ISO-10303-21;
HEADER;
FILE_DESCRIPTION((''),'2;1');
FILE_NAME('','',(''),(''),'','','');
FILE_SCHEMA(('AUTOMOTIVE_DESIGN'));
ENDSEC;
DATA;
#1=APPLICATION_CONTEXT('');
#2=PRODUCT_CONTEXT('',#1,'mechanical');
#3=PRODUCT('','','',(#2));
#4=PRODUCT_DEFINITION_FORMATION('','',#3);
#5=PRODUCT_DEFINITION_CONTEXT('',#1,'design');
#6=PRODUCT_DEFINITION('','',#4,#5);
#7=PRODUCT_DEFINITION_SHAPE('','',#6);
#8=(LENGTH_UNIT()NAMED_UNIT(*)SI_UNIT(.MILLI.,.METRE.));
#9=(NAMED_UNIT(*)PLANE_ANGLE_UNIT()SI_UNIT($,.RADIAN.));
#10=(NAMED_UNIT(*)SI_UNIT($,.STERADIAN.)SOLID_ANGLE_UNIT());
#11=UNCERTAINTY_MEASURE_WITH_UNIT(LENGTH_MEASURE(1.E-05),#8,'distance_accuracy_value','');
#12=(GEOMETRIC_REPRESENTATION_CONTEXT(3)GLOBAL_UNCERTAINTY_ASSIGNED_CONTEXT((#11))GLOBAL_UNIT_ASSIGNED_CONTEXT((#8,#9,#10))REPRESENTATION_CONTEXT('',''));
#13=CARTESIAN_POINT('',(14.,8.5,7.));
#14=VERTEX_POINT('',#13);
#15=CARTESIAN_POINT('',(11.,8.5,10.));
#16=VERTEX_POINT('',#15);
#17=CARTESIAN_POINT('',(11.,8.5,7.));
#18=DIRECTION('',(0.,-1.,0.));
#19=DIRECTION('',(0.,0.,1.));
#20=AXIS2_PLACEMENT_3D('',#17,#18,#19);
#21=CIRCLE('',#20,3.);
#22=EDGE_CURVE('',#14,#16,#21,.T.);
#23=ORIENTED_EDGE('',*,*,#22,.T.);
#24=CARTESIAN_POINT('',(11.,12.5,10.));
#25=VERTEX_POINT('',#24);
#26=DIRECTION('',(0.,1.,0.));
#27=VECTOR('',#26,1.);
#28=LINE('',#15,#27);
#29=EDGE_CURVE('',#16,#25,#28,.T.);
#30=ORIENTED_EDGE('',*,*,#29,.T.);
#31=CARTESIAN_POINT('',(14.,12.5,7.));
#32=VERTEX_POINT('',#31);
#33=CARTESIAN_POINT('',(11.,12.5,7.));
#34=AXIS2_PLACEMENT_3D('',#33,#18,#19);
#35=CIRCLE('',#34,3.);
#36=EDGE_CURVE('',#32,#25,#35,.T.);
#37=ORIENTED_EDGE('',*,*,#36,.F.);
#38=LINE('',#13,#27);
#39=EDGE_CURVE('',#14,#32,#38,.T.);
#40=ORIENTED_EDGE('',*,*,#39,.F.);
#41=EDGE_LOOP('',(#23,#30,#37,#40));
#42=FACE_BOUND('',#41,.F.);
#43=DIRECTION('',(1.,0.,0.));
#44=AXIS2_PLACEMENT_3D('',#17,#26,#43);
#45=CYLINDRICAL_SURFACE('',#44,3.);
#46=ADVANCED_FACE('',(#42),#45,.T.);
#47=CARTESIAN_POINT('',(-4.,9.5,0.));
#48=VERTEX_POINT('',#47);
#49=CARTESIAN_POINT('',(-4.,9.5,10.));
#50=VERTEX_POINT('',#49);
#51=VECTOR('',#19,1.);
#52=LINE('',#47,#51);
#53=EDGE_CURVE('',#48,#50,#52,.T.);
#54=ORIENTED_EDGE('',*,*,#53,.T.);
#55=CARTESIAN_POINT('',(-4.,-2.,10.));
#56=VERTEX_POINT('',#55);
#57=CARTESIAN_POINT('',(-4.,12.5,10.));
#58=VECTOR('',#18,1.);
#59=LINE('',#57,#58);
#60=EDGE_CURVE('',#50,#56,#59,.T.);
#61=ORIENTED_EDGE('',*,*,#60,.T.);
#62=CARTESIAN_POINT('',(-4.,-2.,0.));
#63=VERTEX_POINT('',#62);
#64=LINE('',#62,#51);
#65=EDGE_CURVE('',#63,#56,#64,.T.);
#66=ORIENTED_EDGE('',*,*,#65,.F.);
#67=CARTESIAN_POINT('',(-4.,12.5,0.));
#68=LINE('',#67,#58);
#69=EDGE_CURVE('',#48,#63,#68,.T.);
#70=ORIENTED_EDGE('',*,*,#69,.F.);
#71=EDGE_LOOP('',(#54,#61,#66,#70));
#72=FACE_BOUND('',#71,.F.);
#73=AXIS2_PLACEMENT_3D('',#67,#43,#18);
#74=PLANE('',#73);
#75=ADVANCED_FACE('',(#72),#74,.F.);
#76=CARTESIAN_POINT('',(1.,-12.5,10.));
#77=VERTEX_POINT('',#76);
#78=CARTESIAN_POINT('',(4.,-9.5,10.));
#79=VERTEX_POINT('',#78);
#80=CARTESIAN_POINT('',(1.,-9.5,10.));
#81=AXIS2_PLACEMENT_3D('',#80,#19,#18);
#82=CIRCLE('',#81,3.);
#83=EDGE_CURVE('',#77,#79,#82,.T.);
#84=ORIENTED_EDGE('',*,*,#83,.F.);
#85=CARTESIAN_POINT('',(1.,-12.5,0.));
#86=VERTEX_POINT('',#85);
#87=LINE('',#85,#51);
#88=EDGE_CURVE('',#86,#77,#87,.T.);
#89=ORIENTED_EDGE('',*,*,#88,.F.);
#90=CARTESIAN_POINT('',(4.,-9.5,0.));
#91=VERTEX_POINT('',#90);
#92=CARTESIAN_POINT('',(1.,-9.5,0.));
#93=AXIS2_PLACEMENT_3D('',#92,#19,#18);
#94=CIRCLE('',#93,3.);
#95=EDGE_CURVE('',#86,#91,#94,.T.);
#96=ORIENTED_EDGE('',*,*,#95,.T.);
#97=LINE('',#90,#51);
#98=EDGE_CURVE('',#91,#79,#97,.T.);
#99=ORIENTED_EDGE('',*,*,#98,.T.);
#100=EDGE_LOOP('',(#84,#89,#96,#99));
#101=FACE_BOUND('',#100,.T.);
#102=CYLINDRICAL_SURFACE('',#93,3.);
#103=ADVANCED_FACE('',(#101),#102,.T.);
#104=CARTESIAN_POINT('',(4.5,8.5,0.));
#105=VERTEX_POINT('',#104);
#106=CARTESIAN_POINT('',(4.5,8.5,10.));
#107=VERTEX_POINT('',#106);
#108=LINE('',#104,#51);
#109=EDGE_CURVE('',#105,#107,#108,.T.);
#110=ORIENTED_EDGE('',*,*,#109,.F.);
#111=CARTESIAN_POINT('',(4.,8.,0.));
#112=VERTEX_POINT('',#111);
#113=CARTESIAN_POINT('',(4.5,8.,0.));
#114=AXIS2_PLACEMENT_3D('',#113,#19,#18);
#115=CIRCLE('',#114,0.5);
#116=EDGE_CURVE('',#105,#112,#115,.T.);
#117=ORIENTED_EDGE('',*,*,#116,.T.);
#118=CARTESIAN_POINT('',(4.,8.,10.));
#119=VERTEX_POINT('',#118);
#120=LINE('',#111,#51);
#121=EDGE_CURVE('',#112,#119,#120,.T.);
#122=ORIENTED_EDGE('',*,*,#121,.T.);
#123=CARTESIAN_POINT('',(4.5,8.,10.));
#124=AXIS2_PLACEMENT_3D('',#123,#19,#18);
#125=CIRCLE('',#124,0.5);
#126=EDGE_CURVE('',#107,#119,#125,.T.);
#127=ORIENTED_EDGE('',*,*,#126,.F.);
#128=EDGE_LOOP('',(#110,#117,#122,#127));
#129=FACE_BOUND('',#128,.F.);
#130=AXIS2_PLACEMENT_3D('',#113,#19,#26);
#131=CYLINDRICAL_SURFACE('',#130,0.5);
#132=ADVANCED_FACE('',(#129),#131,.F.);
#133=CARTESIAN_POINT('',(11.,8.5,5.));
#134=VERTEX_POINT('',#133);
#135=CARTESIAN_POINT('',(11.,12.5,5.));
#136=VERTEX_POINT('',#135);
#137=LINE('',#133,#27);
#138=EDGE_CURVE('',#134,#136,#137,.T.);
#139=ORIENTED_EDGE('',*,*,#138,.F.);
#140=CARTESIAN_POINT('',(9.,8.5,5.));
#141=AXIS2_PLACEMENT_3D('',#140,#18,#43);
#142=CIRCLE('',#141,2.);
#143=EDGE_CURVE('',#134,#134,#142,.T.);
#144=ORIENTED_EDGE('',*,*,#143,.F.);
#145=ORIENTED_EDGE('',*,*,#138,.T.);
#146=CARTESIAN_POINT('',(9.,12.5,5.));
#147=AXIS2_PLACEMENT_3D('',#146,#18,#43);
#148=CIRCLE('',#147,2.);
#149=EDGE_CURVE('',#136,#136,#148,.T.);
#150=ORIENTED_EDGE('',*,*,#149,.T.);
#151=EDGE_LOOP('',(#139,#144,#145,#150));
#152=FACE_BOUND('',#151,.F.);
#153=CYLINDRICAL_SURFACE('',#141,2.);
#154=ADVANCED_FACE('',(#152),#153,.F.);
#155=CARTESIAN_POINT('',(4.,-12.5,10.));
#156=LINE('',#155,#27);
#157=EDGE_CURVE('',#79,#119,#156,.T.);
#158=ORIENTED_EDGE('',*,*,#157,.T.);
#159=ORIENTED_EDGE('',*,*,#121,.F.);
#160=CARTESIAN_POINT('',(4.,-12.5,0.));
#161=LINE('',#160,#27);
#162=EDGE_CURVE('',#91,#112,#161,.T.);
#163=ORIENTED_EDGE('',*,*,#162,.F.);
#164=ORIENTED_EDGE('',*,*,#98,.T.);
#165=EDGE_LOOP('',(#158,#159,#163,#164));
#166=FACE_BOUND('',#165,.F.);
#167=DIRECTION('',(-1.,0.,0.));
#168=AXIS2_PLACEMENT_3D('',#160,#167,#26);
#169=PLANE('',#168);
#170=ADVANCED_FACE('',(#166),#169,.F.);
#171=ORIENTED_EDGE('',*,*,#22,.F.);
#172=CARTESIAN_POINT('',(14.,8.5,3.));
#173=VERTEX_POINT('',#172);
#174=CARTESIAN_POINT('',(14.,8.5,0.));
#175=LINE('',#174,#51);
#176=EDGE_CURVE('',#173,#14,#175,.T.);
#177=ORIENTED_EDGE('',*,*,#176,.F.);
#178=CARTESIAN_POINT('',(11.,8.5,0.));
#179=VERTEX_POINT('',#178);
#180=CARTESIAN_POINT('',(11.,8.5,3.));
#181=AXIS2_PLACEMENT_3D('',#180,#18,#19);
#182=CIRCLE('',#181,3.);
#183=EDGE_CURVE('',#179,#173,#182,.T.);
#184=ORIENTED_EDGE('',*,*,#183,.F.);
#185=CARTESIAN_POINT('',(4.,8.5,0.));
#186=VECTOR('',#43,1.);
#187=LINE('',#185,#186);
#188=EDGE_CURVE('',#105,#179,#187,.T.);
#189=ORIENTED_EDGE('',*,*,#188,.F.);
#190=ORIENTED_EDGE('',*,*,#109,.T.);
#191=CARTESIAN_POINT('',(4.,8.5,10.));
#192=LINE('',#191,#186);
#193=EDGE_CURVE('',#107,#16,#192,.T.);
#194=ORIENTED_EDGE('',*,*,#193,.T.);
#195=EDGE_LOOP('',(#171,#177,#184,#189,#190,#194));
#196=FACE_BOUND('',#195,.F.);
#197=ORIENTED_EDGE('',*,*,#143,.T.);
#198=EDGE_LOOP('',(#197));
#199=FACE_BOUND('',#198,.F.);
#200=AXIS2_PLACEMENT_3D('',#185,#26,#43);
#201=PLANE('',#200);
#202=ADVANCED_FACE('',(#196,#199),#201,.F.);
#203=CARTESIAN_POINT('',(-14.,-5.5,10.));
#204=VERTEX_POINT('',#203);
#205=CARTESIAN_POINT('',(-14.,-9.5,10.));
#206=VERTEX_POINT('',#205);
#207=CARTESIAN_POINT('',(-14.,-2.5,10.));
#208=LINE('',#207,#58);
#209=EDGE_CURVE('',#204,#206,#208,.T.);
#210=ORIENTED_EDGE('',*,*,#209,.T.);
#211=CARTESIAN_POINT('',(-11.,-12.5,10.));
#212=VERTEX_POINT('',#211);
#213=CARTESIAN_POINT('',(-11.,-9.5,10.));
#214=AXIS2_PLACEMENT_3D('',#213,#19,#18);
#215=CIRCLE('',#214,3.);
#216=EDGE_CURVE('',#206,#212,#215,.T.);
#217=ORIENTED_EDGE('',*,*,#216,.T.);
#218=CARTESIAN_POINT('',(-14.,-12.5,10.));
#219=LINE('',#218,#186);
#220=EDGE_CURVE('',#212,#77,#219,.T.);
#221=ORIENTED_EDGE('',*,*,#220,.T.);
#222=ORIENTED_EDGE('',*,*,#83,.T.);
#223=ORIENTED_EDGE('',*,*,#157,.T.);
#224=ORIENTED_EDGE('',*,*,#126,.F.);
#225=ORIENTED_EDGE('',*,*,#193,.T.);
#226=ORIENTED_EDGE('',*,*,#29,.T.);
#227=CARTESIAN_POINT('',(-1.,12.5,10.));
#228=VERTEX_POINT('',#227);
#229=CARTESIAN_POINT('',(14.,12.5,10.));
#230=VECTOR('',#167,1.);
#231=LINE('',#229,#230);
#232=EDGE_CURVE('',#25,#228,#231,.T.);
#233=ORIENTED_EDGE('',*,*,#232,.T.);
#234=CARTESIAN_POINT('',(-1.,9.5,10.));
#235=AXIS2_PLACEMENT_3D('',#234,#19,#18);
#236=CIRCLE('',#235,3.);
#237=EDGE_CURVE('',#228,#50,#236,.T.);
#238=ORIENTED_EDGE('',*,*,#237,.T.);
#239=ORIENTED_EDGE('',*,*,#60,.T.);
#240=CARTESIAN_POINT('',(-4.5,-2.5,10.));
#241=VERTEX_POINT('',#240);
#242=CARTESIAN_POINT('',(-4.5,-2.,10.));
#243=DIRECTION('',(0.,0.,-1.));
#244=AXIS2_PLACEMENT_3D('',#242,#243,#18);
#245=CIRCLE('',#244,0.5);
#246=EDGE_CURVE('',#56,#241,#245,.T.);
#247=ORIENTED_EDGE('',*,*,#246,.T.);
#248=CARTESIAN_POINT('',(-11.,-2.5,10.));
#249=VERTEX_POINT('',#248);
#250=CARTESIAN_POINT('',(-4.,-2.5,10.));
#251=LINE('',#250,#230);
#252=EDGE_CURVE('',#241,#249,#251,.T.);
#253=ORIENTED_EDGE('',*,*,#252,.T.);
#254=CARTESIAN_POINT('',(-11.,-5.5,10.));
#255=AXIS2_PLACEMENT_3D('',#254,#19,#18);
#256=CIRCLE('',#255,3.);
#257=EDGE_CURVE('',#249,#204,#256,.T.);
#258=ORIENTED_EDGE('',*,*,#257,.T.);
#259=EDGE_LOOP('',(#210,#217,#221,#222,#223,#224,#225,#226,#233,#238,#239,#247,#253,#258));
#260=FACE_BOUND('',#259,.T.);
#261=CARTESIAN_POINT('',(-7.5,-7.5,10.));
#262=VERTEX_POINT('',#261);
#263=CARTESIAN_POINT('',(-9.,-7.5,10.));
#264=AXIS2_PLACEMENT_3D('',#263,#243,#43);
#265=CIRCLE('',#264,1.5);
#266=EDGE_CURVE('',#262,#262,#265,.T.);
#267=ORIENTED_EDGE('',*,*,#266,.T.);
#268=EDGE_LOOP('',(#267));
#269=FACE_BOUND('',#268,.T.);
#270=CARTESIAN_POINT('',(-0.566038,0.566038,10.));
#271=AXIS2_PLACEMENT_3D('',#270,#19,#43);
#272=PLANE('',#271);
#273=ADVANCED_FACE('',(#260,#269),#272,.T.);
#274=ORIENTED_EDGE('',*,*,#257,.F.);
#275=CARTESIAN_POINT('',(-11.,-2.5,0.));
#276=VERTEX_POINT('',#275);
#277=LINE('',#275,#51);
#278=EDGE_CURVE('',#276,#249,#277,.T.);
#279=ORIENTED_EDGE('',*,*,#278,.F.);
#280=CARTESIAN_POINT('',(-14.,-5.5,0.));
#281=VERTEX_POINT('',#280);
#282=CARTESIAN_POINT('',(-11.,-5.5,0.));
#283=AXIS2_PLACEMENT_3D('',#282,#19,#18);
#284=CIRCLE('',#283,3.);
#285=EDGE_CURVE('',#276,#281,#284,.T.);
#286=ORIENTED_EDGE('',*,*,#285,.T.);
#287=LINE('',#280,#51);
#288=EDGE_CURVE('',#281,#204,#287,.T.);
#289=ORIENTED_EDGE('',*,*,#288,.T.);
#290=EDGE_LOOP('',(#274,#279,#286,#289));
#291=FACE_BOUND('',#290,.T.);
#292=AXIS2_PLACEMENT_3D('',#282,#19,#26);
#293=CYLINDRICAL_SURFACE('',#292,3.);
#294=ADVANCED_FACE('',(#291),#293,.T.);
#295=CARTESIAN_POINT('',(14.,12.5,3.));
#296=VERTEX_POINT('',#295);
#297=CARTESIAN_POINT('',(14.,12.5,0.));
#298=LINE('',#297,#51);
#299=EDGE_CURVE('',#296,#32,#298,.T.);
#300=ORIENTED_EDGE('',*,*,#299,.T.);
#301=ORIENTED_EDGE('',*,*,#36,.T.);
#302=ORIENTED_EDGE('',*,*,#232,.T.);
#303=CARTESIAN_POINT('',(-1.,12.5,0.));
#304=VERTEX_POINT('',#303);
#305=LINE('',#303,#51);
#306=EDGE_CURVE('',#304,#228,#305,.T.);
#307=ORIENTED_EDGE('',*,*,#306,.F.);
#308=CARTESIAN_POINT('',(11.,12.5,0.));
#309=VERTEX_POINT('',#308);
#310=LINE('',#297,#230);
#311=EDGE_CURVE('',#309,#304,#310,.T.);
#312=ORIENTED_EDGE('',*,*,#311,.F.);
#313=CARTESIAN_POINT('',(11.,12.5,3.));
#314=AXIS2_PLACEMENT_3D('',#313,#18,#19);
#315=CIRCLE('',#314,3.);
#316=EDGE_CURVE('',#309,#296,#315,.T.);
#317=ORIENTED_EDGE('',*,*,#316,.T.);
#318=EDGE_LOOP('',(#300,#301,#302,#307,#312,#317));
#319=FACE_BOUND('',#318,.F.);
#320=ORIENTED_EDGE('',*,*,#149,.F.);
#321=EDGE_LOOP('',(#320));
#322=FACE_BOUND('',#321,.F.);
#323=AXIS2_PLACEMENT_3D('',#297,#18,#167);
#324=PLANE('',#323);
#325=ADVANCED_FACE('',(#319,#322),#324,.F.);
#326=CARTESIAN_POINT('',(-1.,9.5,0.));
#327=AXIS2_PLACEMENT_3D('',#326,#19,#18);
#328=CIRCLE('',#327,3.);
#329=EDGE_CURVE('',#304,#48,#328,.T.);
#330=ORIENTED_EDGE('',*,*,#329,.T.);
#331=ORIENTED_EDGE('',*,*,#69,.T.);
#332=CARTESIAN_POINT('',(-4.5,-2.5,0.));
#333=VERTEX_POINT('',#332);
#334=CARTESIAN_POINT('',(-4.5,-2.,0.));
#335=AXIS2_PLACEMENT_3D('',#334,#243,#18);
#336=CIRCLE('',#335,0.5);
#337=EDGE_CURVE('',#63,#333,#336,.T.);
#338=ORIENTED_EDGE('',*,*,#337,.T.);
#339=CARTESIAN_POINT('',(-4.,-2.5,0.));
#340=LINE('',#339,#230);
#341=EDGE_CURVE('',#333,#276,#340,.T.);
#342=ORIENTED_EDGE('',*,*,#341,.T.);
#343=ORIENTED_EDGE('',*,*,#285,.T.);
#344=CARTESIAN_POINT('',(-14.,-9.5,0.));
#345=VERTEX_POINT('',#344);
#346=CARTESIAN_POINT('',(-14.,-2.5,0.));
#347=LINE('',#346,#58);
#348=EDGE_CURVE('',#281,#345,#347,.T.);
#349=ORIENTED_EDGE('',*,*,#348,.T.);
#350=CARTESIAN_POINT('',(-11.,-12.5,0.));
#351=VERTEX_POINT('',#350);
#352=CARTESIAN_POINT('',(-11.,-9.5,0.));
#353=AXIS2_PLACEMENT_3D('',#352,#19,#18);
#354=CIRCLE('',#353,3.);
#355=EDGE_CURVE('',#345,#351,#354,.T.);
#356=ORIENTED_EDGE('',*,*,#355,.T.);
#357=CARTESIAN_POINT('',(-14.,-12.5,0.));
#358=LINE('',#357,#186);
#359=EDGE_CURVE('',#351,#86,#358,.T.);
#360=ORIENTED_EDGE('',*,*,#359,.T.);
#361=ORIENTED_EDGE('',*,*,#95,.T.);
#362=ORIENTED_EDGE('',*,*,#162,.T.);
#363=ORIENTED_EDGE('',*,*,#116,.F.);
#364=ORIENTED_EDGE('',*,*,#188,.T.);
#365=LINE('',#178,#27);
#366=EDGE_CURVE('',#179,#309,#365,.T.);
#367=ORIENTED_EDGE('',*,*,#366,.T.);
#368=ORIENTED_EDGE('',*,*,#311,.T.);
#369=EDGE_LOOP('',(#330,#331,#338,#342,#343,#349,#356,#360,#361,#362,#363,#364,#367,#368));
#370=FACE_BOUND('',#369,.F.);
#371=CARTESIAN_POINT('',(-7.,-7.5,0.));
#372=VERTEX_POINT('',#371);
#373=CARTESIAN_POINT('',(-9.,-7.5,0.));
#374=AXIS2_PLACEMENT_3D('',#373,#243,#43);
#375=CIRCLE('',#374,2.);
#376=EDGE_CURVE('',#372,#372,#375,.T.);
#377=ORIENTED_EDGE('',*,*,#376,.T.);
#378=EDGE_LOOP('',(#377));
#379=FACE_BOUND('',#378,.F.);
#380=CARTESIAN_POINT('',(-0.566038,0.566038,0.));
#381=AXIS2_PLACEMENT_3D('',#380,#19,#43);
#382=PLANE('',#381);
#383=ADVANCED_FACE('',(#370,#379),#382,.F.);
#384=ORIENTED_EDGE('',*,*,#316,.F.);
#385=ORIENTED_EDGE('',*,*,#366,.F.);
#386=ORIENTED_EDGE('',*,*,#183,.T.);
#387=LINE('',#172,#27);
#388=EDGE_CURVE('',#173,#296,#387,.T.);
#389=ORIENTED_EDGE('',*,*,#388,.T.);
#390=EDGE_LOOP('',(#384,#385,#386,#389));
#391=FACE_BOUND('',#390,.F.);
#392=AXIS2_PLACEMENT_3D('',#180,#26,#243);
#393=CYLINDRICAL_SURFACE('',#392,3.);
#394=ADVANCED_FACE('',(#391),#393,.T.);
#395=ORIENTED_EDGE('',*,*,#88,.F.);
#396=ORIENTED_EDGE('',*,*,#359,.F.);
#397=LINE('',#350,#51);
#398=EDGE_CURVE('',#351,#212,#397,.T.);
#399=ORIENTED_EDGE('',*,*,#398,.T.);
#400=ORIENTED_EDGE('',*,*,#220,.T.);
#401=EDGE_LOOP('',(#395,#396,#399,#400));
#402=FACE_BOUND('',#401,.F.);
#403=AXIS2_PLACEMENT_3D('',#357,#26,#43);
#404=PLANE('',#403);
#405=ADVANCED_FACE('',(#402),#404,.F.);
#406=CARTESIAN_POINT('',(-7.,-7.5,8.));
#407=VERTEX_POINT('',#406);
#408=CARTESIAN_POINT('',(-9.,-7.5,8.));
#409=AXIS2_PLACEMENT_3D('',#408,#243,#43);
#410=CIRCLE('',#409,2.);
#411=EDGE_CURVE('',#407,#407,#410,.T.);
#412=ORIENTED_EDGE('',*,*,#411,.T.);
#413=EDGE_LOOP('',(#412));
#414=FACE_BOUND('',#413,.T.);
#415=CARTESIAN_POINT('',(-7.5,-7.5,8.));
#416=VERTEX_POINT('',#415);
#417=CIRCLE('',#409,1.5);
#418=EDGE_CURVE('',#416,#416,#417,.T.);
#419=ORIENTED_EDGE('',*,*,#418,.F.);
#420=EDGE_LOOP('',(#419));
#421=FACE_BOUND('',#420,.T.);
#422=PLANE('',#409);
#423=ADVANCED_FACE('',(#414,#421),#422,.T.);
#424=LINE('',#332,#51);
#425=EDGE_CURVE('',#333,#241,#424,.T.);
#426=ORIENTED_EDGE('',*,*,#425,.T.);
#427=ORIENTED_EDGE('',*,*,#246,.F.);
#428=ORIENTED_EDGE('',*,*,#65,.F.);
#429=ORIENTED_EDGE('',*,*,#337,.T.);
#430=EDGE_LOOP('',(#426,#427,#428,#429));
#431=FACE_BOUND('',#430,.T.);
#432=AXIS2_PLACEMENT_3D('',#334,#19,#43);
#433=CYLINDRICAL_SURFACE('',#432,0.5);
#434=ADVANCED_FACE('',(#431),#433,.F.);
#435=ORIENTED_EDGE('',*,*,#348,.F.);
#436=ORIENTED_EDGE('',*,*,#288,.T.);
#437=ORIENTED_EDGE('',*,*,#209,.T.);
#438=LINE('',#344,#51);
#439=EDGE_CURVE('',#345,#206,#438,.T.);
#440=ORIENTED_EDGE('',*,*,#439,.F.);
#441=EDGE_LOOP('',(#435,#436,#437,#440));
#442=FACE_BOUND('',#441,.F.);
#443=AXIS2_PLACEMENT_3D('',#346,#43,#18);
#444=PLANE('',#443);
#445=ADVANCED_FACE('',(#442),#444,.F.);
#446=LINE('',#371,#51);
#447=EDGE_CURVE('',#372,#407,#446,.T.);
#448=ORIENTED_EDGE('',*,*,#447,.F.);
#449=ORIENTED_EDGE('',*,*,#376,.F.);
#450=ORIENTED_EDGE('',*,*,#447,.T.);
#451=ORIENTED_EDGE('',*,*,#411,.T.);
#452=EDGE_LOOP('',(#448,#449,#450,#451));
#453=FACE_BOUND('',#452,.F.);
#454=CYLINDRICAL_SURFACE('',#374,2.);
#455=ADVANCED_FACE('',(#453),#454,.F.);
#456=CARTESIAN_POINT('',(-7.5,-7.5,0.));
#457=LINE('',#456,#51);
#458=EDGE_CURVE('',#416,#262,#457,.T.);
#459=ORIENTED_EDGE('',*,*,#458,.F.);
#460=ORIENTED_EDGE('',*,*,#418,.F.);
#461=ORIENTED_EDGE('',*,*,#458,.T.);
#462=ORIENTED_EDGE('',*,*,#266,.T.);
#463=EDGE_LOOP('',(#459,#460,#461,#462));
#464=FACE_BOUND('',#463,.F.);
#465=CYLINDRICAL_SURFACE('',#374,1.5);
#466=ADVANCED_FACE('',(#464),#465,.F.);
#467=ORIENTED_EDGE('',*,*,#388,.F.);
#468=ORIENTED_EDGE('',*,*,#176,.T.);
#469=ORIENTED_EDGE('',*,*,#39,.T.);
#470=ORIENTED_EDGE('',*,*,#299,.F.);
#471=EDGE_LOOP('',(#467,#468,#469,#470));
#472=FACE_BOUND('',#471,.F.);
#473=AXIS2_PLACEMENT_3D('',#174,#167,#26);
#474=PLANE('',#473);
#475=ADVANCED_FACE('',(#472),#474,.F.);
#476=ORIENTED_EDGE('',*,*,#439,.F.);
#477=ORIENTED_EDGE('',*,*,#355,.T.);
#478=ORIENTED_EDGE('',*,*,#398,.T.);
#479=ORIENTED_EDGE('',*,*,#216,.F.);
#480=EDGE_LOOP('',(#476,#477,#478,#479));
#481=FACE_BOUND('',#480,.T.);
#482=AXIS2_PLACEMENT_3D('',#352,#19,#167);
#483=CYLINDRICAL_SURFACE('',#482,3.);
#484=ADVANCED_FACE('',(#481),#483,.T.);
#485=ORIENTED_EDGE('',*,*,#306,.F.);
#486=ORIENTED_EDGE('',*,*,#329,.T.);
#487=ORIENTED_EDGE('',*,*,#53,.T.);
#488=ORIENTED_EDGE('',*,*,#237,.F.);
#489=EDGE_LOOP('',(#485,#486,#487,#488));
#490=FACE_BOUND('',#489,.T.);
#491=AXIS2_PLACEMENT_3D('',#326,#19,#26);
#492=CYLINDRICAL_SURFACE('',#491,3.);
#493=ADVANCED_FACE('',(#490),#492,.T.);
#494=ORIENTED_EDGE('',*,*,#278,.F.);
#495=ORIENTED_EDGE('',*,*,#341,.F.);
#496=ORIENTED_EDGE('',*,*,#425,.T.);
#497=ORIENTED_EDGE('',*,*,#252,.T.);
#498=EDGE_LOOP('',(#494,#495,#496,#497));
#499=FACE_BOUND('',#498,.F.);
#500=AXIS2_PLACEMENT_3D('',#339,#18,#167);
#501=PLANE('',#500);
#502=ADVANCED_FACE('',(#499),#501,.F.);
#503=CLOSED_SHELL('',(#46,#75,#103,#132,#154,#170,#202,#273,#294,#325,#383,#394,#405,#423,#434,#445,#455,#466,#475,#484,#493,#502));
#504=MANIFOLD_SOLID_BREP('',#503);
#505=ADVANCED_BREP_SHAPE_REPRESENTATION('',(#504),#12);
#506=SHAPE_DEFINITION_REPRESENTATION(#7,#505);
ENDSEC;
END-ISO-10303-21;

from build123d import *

# Parameters (mm, degrees)
F1_DEPTH = 10
F2_R     = 3
F3_R     = 1.5
F4_DEPTH = 10.001
F5_R     = 2
F6_DEPTH = 8
F7_R     = 3
F8_R     = 2
F9_DEPTH = 4.001
F10_R    = 3
F11_R    = 0.5


with BuildPart() as f1:
    # F0 (on Top) → F1 (new body)
    with BuildSketch(Plane.XY):
        Polygon((14, 12.5), (4, 12.5), (-4, 12.5), (-4, -2.5), (-14, -2.5), (-14, -12.5), (-4, -12.5), (4, -12.5), (4, 8.5), (14, 8.5), align=None)
    extrude(amount=F1_DEPTH)

    # F2
    f2_edges = [f1.edges().sort_by_distance(p)[0] for p in [
        (-4, 12.5, 5),
        (4, -12.5, 5),
    ]]
    fillet(f2_edges, radius=F2_R)

    # F3 (on face) → F4 (cut, through all)
    with BuildSketch(Plane(origin=(0, 0, 0), x_dir=(1, 0, 0), z_dir=(0, 0, -1))):
        with Locations((-9, 7.5)):
            Circle(F3_R)
    extrude(amount=-F4_DEPTH, mode=Mode.SUBTRACT)

    # F5 (on face) → F6 (cut)
    with BuildSketch(Plane(origin=(0, 0, 0), x_dir=(1, 0, 0), z_dir=(0, 0, -1))):
        with Locations((-9, 7.5)):
            Circle(F5_R)
    extrude(amount=-F6_DEPTH, mode=Mode.SUBTRACT)

    # F7
    f7_edges = [f1.edges().sort_by_distance(p)[0] for p in [
        (-14, -2.5, 5),
        (-14, -12.5, 5),
    ]]
    fillet(f7_edges, radius=F7_R)

    # F8 (on face) → F9 (cut, through all)
    with BuildSketch(Plane.XZ.offset(-8.5)):
        with Locations((9, 5)):
            Circle(F8_R)
    extrude(amount=-F9_DEPTH, mode=Mode.SUBTRACT)

    # F10
    f10_edges = [f1.edges().sort_by_distance(p)[0] for p in [
        (14, 10.5, 0),
        (14, 10.5, 10),
    ]]
    fillet(f10_edges, radius=F10_R)

    # F11
    f11_edges = [f1.edges().sort_by_distance(p)[0] for p in [
        (4, 8.5, 5),
        (-4, -2.5, 5),
    ]]
    fillet(f11_edges, radius=F11_R)


solid = f1.part
